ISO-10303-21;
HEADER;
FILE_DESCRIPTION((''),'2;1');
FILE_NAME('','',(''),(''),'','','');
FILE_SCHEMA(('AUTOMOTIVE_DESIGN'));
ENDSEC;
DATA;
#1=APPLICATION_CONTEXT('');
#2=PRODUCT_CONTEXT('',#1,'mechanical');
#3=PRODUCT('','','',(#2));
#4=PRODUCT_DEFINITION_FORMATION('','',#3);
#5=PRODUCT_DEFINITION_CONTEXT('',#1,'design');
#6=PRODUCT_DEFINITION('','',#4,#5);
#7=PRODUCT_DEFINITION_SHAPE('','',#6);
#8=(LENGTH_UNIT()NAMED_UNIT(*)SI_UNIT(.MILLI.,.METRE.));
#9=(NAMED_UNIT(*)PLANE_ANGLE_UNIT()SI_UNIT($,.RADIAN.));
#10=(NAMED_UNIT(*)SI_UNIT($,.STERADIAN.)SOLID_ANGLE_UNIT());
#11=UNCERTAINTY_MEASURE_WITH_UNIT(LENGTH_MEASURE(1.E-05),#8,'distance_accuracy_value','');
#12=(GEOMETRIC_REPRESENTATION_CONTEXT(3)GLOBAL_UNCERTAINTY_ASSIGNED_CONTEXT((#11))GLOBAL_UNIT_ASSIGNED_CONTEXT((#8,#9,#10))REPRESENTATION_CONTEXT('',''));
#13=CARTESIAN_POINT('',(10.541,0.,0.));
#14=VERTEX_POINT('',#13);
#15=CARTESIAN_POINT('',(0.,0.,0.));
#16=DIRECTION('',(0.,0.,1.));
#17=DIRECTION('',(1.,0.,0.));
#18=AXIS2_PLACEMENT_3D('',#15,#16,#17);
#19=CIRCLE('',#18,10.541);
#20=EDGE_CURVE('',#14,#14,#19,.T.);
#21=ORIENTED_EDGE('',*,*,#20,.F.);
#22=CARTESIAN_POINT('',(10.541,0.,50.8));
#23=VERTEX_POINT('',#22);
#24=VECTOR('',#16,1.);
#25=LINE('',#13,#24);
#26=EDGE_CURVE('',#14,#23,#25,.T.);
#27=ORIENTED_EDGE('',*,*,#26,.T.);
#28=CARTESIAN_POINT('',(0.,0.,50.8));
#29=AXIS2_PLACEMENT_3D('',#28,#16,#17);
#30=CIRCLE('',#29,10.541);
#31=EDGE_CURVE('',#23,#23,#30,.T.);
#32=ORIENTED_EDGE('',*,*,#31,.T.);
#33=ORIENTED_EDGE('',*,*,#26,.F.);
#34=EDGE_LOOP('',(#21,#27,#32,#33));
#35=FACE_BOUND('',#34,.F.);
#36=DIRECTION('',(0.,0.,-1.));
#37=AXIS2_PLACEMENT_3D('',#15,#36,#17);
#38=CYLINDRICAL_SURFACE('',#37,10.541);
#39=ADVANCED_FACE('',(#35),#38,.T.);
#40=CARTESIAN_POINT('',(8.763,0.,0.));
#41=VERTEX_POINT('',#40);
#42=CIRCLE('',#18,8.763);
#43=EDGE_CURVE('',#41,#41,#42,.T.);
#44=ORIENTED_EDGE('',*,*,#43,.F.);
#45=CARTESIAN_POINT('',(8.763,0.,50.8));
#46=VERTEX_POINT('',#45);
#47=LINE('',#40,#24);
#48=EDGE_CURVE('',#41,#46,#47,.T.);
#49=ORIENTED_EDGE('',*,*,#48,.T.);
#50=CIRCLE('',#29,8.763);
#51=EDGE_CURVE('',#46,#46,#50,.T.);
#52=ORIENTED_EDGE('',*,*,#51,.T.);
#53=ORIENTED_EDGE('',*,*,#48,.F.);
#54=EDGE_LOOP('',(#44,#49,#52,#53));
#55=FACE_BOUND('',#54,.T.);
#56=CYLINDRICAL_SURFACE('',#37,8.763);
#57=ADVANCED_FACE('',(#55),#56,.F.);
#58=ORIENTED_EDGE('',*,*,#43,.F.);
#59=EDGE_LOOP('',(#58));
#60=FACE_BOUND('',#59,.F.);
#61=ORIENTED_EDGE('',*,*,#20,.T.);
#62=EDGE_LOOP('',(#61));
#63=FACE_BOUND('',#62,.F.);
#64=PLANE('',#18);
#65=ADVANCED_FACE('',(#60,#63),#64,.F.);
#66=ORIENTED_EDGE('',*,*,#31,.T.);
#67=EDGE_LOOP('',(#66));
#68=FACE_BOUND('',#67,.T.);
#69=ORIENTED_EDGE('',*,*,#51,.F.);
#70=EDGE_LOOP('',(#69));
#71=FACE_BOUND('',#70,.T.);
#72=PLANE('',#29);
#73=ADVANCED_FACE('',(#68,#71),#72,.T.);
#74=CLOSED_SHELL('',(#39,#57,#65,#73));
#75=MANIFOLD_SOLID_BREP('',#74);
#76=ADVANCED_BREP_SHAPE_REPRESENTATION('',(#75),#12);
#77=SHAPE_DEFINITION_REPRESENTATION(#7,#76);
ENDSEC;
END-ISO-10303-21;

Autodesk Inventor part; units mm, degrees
ref_plane "YZ Plane" through (0, 0, 0) normal (1, 0, 0) x (0, 1, 0)
ref_plane "XZ Plane" through (0, 0, 0) normal (0, 1, 0) x (-1, 0, 0)
ref_plane "XY Plane" through (0, 0, 0) normal (0, 0, 1) x (1, 0, 0)
sketch "Sketch1" plane through (0, 0, 0) normal (0, 0, 1) x (1, 0, 0)
  circle A0 centre (0, 0) radius 8.763
  circle A1 centre (0, 0) radius 10.541
  dimension "d0" = 17.526
  dimension "d1" = 1.778
extrude "Extrusion1" add sketch "Sketch1" along normal blind 50.8
properties part number "90 Degree Rod"
